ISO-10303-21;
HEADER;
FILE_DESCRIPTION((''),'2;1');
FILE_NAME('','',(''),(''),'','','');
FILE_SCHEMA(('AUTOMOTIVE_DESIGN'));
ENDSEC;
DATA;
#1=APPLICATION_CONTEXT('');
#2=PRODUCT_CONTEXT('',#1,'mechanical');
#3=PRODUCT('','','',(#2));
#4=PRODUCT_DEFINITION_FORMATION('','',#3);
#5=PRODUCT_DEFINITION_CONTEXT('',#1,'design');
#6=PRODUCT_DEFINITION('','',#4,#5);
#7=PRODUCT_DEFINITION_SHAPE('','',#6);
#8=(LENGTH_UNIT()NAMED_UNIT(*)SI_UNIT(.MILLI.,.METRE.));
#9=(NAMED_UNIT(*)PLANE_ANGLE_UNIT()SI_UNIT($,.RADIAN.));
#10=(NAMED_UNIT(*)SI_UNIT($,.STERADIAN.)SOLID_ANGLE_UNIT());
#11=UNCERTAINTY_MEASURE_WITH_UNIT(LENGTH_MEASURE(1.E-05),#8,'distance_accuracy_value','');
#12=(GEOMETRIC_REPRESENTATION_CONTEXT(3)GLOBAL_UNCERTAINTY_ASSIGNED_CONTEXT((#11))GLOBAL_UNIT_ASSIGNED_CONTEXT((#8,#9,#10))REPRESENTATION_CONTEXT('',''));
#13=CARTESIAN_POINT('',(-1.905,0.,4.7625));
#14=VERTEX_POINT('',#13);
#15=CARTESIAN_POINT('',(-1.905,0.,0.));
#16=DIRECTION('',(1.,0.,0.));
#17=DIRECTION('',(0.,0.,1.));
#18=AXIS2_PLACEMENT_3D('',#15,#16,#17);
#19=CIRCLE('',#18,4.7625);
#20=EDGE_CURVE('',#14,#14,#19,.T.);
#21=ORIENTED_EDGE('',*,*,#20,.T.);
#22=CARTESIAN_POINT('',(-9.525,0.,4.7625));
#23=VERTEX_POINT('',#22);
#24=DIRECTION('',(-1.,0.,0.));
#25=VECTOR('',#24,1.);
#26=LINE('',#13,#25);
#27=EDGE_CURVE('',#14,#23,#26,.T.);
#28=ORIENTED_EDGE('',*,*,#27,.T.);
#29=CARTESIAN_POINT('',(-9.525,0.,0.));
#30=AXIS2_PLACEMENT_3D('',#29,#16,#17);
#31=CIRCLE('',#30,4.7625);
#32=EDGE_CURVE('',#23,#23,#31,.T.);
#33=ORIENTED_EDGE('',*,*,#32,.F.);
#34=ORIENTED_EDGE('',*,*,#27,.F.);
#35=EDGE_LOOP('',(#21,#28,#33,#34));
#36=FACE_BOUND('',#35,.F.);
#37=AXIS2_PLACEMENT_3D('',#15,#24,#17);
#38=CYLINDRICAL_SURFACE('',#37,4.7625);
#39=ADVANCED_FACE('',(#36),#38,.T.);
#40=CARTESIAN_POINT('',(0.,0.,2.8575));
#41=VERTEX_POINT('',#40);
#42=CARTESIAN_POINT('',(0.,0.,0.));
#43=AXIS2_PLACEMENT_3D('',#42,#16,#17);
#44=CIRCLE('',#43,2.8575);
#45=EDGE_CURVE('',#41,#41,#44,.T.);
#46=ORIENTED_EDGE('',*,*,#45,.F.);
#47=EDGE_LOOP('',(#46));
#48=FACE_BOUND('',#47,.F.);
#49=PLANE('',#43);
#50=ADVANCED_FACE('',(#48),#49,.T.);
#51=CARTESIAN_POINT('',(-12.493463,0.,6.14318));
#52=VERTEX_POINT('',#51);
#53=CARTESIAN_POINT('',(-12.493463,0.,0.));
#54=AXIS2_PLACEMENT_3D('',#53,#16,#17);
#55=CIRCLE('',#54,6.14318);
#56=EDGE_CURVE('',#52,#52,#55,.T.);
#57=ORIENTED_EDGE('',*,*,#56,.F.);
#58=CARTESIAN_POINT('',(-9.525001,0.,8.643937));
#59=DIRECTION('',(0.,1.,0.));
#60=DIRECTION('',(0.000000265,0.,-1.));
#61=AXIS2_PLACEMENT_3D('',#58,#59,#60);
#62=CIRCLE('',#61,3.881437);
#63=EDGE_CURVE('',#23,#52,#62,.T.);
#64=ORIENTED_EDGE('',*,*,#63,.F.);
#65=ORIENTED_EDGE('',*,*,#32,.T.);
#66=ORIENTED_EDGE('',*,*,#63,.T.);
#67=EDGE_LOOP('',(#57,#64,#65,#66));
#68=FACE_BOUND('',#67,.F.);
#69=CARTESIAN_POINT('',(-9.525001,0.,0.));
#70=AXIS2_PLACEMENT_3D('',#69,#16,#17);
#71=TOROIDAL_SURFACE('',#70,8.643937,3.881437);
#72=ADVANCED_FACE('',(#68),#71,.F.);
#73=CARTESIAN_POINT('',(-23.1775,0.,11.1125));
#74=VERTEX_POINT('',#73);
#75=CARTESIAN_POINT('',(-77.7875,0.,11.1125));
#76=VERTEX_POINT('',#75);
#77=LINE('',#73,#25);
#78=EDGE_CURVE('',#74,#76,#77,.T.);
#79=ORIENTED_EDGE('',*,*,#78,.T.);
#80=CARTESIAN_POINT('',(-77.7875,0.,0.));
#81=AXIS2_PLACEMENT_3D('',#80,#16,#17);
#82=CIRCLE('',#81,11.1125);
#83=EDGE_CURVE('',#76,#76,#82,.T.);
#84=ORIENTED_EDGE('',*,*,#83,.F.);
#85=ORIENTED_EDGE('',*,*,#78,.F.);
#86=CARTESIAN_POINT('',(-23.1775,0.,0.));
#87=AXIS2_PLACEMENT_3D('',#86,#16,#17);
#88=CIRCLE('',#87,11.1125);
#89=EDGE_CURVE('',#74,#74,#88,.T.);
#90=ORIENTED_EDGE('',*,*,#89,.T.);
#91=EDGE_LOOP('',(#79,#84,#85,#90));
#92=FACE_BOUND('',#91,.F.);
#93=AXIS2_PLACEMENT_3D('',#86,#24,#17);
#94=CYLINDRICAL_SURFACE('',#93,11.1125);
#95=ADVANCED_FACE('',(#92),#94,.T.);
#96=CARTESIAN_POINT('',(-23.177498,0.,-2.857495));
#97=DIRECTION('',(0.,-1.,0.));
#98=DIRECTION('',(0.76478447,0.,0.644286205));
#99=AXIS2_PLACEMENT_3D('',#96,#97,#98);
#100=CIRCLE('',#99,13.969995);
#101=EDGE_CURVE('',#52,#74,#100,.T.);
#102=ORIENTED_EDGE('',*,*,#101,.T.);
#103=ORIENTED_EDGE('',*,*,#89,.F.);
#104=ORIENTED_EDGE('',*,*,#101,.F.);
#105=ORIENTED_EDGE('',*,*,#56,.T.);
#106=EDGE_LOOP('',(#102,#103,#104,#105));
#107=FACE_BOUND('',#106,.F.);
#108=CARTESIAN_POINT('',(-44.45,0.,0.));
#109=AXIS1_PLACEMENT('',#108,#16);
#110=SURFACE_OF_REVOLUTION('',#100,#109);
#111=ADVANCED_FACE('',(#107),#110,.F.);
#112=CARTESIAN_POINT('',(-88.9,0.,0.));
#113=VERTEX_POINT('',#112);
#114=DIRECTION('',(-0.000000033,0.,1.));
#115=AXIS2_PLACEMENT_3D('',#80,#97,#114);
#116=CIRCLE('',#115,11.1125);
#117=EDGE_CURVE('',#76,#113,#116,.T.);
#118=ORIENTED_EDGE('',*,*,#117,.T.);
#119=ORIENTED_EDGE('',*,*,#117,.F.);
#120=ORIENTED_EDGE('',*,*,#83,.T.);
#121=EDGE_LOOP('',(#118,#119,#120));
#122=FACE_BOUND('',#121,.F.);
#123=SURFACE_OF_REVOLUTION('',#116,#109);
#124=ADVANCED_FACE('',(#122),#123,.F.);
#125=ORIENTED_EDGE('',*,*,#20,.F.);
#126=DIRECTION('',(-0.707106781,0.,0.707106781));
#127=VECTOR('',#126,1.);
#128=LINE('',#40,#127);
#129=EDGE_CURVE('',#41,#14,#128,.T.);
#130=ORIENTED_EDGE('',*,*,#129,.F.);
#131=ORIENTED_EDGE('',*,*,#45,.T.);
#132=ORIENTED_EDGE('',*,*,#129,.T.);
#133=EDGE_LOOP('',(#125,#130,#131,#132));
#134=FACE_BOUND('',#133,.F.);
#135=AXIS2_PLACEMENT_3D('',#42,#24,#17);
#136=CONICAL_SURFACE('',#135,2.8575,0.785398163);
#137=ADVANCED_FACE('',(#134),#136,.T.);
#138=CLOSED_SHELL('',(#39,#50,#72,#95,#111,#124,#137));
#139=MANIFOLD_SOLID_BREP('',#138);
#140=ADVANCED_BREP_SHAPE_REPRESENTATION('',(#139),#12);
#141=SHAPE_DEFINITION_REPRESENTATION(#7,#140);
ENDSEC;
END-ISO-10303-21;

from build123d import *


with BuildPart() as f1:
    # F0 (on Front) → F1 (revolve)
    with BuildSketch(Plane.XZ):
        with BuildLine():
            ThreePointArc((-77.7875, 11.1125), (-85.645224, 7.857724), (-88.9, 0))
            Line((-88.9, 0), (0, 0))
            Line((0, 0), (0, 2.8575))
            Line((0, 2.8575), (-1.905, 4.7625))
            Line((-1.905, 4.7625), (-9.525, 4.7625))
            ThreePointArc((-9.525, 4.7625), (-11.161922, 5.124556), (-12.493463, 6.14318))
            ThreePointArc((-12.493463, 6.14318), (-17.285921, 9.809394), (-23.1775, 11.1125))
            Line((-23.1775, 11.1125), (-77.7875, 11.1125))
        make_face()
    revolve(axis=Axis((-44.45, 0, 0), (1, 0, 0)))


solid = f1.part
